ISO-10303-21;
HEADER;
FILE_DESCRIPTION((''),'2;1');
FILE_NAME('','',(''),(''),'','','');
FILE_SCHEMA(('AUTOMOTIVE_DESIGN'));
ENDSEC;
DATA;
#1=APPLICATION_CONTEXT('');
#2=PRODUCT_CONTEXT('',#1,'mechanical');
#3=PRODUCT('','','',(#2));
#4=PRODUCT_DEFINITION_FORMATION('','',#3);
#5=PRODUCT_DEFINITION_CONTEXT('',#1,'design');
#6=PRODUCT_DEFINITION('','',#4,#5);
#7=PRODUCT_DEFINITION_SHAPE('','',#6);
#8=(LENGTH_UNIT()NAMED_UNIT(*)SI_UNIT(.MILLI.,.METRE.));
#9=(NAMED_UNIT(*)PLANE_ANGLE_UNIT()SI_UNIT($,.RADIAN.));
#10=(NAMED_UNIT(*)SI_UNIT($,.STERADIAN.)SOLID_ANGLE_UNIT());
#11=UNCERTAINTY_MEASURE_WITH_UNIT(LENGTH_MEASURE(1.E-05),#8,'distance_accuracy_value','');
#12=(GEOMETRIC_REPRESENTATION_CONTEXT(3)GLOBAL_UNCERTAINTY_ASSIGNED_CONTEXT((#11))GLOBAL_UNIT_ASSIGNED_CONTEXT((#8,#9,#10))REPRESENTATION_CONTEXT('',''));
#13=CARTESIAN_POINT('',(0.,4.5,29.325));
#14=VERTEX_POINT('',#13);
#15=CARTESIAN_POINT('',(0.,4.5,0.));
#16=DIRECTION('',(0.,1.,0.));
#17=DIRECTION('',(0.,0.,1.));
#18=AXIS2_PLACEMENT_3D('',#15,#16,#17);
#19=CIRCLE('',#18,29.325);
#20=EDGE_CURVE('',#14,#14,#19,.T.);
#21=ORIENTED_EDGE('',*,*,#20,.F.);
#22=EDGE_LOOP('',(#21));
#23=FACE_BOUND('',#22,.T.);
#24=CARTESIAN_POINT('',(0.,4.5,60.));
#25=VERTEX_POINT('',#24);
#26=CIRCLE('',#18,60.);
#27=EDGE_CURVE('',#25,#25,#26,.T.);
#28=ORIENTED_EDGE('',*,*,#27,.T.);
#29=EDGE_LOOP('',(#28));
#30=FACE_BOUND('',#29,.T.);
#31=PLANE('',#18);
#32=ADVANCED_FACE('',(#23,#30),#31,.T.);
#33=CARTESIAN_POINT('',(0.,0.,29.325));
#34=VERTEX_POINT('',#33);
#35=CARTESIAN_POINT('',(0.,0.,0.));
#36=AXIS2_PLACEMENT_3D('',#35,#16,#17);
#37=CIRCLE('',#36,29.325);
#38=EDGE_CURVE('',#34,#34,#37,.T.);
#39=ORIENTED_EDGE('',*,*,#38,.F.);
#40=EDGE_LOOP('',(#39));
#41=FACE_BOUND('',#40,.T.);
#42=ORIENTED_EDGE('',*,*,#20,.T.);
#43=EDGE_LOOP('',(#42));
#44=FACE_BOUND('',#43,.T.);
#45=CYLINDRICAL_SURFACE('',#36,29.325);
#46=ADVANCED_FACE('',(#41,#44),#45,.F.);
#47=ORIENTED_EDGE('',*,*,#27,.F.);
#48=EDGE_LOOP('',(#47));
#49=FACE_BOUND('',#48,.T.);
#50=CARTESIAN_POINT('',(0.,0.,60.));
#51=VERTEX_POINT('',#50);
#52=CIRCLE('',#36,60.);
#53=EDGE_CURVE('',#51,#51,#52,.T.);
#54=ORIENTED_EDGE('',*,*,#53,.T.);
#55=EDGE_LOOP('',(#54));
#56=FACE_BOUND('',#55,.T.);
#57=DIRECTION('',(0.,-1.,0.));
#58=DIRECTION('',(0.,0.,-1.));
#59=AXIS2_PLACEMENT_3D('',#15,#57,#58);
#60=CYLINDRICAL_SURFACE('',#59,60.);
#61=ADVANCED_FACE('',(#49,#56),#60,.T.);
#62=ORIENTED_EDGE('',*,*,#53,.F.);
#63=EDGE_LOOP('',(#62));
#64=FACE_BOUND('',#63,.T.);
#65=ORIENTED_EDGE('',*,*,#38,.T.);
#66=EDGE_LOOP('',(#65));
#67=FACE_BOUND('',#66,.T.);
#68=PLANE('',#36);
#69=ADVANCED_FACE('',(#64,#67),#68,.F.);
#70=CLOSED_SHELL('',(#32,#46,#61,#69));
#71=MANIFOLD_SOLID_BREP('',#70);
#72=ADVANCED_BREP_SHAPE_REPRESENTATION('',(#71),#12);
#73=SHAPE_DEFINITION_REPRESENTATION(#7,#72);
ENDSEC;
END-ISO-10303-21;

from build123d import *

# Parameters (mm, degrees)
SKETCH1_R               = 60
BOSS_EXTRUDE1_DEPTH     = 4.5
CUT_EXTRUDE1_DEPTH      = 85.97205423
CUT_EXTRUDE1_DEPTH_BACK = 85.97205423
SKETCH2_R               = 29.325


with BuildPart() as part:
    # Sketch1 → Boss-Extrude1 (new body)
    with BuildSketch(Plane(origin=(0, 0, 0), x_dir=(1, 0, 0), z_dir=(0, 1, 0))):
        with Locations(Location((0, 0, 0), (0, 0, 270))):
            Circle(SKETCH1_R)
    extrude(amount=BOSS_EXTRUDE1_DEPTH)

    # Sketch2 → Cut-Extrude1 (cut, two sides: drawn at the far end of the back side and taken through both)
    with BuildSketch(Plane(origin=(0, 4.5, 0), x_dir=(1, 0, 0), z_dir=(0, 1, 0)).offset(-CUT_EXTRUDE1_DEPTH_BACK)):
        with Locations(Location((0, 0, 0), (0, 0, 270))):
            Circle(SKETCH2_R)
    extrude(amount=CUT_EXTRUDE1_DEPTH + CUT_EXTRUDE1_DEPTH_BACK, mode=Mode.SUBTRACT)


solid = part.part
